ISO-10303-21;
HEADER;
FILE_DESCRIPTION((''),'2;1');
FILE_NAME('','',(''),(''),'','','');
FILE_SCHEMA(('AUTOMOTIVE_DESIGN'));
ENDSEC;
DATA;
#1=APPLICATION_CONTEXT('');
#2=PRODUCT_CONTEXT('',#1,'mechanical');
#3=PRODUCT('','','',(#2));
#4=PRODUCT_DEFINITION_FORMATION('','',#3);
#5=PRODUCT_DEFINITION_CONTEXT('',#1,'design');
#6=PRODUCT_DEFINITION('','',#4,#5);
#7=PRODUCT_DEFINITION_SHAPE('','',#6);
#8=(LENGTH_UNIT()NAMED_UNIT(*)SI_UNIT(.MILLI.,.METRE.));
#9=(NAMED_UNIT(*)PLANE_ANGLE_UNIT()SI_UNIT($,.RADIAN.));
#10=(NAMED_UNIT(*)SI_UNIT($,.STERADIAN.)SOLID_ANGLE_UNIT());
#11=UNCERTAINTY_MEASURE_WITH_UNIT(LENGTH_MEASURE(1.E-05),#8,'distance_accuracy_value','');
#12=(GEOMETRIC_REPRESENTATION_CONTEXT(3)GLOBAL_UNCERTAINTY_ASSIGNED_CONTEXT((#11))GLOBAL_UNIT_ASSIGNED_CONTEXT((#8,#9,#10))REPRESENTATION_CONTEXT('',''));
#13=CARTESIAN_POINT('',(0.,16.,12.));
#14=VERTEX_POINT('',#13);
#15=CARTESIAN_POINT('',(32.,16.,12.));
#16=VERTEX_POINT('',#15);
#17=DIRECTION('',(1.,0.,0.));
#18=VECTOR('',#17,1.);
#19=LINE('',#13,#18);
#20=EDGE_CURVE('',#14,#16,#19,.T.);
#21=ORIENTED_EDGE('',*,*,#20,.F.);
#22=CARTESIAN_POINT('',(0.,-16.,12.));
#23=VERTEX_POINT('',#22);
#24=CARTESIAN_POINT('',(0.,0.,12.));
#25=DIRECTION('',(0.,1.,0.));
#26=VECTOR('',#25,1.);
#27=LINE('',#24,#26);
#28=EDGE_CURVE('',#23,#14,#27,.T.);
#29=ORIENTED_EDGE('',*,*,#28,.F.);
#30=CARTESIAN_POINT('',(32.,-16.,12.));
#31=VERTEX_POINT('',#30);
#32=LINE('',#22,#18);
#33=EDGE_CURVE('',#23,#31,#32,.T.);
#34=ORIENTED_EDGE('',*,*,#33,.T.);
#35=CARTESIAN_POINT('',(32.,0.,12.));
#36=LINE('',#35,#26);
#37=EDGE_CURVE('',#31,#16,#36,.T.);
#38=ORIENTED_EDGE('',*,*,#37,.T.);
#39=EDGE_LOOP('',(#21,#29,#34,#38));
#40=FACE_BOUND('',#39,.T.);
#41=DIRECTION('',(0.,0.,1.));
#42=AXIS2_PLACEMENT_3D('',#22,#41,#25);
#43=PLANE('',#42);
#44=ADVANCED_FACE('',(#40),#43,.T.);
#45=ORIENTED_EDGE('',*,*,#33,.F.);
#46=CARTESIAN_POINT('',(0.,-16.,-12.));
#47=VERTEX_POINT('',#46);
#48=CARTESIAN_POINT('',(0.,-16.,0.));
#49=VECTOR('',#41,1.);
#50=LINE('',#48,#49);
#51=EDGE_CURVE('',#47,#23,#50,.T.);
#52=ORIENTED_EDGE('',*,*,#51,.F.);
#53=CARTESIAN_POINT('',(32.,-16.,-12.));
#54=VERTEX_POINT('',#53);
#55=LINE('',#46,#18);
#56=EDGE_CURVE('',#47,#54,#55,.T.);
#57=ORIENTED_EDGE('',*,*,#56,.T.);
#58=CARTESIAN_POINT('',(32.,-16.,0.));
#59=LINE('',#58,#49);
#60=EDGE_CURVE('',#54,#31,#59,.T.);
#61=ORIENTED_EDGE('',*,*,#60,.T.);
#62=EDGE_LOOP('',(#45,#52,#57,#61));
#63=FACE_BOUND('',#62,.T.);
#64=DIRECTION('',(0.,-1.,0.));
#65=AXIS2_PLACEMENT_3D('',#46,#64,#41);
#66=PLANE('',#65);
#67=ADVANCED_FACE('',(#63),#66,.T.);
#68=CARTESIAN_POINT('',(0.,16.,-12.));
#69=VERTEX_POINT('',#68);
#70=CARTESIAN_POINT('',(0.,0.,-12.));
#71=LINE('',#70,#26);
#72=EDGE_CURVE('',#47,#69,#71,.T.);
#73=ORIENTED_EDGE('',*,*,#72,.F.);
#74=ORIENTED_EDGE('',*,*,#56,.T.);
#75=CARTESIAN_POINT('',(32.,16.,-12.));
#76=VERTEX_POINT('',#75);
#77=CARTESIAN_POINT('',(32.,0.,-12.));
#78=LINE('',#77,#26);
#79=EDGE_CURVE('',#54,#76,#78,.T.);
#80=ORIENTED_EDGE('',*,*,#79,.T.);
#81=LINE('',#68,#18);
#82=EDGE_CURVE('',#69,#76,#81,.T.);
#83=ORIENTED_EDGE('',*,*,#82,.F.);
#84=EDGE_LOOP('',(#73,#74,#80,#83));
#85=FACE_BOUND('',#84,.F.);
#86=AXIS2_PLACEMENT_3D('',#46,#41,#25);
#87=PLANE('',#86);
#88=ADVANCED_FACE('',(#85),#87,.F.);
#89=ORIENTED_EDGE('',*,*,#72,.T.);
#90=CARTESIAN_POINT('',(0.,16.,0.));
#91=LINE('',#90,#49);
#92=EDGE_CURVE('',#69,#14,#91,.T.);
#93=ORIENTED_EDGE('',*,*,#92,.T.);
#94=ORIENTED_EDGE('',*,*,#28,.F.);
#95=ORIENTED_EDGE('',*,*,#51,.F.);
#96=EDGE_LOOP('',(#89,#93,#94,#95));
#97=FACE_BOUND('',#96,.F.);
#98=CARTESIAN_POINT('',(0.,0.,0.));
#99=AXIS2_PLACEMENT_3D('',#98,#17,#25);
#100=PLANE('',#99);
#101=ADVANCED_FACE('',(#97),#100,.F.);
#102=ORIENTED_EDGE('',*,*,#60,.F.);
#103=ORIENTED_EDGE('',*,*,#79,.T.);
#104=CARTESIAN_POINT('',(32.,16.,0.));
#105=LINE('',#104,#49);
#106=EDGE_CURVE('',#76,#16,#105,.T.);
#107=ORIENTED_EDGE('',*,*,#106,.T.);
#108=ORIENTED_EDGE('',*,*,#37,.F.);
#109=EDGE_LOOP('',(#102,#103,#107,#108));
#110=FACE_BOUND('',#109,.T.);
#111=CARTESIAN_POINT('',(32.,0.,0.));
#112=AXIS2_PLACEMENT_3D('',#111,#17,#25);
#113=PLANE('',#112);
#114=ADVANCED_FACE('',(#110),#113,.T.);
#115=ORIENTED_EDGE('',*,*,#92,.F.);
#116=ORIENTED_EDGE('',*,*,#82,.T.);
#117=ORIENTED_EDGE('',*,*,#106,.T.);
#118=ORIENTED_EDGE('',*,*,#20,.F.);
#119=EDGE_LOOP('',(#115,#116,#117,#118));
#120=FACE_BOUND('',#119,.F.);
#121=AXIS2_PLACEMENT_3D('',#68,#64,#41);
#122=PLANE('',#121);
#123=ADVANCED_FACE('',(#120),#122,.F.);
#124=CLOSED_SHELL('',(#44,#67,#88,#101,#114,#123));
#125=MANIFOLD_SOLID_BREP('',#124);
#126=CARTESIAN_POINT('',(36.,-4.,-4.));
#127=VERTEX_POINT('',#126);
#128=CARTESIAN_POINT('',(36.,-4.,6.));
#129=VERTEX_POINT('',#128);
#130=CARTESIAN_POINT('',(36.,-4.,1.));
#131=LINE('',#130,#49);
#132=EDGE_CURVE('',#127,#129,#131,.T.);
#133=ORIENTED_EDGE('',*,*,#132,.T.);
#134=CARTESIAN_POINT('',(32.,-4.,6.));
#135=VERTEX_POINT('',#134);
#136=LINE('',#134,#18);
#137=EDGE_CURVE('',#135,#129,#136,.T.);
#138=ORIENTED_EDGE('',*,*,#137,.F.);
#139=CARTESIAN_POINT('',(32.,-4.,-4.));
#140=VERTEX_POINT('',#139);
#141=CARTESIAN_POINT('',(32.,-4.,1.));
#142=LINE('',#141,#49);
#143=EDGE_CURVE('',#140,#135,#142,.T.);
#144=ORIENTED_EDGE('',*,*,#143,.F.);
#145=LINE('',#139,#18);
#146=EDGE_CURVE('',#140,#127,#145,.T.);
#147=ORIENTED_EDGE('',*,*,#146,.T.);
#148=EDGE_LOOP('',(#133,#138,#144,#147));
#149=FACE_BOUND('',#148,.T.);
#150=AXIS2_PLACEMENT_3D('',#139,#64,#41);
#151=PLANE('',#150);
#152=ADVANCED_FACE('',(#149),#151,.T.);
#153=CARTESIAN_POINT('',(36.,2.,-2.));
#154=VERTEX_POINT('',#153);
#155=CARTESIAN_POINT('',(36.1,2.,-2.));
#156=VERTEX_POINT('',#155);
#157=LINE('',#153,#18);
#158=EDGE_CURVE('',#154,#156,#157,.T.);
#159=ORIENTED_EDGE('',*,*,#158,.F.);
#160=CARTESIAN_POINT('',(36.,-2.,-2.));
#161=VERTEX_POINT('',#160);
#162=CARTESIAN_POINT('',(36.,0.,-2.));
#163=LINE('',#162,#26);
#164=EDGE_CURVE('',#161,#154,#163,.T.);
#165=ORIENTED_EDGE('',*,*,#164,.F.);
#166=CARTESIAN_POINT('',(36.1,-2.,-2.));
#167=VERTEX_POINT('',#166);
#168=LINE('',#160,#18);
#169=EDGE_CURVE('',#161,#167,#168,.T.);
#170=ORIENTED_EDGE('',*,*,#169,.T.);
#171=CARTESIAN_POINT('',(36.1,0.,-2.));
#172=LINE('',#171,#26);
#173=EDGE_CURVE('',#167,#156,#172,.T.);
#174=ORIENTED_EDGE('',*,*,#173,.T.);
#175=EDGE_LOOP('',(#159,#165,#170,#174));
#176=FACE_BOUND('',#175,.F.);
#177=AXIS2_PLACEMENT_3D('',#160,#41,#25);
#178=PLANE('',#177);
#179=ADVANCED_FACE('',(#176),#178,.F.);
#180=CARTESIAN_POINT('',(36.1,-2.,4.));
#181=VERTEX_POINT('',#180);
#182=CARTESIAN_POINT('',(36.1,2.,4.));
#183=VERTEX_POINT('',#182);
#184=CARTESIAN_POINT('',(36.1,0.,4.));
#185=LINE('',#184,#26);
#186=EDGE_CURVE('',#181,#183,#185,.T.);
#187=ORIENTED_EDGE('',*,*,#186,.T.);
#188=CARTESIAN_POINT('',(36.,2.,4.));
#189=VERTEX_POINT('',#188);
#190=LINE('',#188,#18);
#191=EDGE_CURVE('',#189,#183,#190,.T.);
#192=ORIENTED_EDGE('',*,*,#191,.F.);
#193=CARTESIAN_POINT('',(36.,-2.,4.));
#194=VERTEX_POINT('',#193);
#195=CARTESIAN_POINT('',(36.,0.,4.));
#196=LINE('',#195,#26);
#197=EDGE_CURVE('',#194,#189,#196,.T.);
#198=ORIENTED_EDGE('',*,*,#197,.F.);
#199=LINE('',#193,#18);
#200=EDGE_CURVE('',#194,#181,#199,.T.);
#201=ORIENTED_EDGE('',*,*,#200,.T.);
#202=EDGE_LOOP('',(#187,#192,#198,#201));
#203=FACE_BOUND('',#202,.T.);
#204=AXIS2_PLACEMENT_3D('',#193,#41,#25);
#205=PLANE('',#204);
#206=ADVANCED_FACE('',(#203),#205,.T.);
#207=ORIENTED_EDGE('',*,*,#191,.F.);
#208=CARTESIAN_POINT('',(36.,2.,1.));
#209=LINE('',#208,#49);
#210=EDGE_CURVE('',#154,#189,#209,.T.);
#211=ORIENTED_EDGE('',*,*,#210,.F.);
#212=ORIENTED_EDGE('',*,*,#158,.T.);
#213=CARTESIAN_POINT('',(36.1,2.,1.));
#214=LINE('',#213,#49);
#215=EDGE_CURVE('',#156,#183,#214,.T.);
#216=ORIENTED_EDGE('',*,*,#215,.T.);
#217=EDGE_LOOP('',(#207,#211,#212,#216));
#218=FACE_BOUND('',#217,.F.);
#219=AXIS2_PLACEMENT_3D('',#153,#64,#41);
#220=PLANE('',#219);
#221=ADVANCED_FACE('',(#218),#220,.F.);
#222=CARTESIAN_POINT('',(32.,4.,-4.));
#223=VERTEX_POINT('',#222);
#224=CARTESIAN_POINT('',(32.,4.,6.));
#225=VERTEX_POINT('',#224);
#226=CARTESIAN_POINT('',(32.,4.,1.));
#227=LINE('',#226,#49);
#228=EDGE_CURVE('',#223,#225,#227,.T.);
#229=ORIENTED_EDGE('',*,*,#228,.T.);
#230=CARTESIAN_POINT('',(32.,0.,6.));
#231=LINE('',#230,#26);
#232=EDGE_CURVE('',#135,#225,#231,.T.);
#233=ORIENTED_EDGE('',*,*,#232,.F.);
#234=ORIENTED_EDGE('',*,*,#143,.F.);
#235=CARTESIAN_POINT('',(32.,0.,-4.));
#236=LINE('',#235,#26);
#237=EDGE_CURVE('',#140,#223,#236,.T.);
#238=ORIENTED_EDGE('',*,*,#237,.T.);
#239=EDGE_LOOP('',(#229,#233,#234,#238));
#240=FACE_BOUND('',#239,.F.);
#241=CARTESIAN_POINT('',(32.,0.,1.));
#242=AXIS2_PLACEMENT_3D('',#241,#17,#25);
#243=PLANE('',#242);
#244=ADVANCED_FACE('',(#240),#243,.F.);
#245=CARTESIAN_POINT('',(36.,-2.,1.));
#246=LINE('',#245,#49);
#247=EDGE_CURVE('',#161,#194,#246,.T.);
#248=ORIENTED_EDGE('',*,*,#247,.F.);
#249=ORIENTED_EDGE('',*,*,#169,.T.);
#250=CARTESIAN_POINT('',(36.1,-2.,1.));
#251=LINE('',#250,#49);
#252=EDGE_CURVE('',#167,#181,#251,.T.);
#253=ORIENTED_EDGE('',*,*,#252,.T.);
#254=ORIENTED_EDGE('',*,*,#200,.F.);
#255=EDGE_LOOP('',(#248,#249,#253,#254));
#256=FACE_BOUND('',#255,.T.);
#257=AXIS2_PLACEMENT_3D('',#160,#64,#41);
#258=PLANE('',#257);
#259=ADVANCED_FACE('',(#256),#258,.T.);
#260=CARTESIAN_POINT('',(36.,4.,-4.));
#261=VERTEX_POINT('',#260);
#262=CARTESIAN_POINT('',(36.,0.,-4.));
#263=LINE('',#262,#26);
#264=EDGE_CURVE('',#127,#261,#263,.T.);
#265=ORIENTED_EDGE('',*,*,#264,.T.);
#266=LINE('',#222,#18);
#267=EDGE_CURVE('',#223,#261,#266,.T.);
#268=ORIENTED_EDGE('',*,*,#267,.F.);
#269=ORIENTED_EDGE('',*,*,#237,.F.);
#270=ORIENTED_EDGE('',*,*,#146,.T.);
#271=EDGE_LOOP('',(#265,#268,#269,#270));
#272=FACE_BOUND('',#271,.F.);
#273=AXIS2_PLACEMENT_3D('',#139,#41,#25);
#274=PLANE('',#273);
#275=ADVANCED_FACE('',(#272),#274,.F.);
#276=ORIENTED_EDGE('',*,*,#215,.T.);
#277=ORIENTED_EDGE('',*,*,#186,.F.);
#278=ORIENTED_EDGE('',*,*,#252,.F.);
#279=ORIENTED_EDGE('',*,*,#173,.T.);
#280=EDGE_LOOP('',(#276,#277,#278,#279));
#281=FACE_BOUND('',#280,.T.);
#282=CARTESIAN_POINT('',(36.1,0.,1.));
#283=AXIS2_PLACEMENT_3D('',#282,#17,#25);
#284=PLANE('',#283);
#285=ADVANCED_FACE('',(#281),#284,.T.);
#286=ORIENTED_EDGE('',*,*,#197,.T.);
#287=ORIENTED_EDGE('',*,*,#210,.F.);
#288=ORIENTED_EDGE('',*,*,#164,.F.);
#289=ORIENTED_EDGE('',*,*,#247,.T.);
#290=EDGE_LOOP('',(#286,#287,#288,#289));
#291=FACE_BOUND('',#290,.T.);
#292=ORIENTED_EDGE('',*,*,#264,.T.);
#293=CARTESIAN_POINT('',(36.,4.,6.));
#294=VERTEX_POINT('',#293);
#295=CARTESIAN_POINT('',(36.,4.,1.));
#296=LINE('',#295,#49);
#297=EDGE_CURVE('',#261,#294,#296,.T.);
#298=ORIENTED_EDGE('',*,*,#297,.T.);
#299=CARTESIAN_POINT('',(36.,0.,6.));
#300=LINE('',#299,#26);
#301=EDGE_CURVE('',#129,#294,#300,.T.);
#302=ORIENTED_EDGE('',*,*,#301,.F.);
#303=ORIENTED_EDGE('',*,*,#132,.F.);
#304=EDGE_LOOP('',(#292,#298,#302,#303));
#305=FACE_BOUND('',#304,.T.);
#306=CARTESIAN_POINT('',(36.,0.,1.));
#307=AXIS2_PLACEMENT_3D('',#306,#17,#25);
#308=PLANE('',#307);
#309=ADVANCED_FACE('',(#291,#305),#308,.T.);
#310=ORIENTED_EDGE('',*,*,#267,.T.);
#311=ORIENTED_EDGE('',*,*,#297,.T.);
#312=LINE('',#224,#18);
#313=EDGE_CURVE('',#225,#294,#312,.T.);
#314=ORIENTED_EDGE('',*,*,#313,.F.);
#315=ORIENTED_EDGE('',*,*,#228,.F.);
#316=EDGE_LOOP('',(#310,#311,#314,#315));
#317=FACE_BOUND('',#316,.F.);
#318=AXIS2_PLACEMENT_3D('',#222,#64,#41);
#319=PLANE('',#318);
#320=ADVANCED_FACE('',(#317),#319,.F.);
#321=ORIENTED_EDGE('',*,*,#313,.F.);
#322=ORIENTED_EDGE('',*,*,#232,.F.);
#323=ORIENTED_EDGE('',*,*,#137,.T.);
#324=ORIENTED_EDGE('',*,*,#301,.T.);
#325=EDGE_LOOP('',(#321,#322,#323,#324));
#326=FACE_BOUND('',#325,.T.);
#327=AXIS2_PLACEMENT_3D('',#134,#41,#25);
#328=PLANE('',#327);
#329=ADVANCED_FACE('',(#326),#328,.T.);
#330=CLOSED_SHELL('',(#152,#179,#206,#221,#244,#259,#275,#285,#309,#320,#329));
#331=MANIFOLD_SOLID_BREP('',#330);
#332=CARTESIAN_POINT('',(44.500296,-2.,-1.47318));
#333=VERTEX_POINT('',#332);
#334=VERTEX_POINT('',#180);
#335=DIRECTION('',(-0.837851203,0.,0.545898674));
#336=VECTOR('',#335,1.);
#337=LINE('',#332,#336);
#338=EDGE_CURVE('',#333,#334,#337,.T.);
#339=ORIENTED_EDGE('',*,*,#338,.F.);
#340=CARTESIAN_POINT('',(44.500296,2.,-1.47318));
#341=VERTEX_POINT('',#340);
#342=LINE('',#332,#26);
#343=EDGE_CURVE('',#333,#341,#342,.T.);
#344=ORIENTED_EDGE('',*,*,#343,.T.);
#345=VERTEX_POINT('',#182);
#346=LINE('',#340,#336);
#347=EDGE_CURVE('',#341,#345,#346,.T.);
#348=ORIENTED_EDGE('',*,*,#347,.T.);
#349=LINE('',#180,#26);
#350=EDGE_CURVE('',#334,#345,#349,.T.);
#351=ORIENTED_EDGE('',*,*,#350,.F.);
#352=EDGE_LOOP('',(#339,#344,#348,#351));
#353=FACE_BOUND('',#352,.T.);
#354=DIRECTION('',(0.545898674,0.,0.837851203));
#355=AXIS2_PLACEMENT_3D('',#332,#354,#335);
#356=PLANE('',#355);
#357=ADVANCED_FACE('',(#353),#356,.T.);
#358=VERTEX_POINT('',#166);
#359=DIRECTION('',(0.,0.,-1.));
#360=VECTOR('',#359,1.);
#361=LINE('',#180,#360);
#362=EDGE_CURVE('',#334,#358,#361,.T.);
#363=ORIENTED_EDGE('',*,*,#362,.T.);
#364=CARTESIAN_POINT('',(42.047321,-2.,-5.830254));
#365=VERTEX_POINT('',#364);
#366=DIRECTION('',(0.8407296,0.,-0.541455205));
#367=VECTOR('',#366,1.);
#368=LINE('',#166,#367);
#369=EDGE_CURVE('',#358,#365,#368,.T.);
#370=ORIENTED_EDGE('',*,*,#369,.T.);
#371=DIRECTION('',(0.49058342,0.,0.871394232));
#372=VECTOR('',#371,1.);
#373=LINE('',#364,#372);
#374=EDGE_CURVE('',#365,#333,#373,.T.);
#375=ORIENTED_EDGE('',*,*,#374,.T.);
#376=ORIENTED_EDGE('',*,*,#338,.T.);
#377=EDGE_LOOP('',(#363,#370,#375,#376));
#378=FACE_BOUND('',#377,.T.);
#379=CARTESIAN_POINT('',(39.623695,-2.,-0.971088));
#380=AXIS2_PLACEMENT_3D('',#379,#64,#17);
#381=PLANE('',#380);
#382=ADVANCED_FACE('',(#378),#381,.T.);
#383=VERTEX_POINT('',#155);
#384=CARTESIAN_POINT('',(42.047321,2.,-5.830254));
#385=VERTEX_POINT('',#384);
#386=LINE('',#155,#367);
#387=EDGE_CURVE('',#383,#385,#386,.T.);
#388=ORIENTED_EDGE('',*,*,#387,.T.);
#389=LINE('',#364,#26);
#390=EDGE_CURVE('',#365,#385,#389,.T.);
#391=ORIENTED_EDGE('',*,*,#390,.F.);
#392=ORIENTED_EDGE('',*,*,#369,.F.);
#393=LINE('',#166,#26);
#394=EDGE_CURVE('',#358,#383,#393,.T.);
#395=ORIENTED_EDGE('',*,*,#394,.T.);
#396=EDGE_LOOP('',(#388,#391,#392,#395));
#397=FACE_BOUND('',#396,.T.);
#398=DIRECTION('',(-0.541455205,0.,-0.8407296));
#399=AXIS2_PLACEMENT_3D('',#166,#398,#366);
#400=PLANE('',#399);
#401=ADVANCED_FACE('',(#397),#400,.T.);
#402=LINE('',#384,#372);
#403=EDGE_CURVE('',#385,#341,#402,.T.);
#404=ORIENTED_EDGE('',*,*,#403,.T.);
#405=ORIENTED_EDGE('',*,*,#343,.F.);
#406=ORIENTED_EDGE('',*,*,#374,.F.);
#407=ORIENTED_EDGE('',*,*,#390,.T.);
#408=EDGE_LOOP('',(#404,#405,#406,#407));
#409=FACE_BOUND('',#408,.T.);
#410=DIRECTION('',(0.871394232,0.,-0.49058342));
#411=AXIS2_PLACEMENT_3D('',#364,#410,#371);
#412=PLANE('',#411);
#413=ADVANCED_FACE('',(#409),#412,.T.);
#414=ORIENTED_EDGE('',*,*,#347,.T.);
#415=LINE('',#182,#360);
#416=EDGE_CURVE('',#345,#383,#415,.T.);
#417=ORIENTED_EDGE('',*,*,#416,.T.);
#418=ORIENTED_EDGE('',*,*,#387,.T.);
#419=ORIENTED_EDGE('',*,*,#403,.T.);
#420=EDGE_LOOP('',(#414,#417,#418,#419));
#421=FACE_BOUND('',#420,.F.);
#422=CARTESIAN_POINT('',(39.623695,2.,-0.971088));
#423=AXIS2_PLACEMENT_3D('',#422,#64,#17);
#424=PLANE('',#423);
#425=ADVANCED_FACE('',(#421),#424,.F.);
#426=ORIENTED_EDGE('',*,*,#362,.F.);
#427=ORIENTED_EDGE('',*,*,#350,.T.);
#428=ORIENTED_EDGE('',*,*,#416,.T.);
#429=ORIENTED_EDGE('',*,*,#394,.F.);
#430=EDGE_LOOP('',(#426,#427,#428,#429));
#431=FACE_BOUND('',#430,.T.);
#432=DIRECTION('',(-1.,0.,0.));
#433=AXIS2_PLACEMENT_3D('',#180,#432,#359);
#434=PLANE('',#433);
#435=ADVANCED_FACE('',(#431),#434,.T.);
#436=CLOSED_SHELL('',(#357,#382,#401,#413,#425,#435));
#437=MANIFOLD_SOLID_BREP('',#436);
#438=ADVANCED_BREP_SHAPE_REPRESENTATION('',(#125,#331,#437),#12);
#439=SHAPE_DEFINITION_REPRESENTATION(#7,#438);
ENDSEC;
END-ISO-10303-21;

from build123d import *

# Parameters (mm, degrees)
F0_W     = 32
F0_H     = 24
F1_DEPTH = 32
F2_W     = 8
F2_H     = 10
F3_DEPTH = 4
F4_W     = 4
F4_H     = 6
F5_DEPTH = 0.1
F7_DEPTH = 4


with BuildPart() as f1:
    # F0 (on Right) → F1 (new body)
    with BuildSketch(Plane.YZ):
        Rectangle(F0_W, F0_H)
    extrude(amount=F1_DEPTH)


with BuildPart() as f3:
    # F2 (on face) → F3 (new body)
    with BuildSketch(Plane.YZ.offset(32)):
        with Locations((0, 1)):
            Rectangle(F2_W, F2_H)
    extrude(amount=F3_DEPTH)

    # F4 (on face) → F5 (join)
    with BuildSketch(Plane.YZ.offset(36)):
        with Locations((0, 1)):
            Rectangle(F4_W, F4_H)
    extrude(amount=F5_DEPTH)


with BuildPart() as f7:
    # F6 (on face) → F7 (new body)
    with BuildSketch(Plane.XZ.offset(2)):
        Polygon((44.500296, -1.47318), (36.1, 4), (36.1, -2), (42.047321, -5.830254), align=None)
    extrude(amount=-F7_DEPTH)


solid = Compound([f1.part, f3.part, f7.part])
